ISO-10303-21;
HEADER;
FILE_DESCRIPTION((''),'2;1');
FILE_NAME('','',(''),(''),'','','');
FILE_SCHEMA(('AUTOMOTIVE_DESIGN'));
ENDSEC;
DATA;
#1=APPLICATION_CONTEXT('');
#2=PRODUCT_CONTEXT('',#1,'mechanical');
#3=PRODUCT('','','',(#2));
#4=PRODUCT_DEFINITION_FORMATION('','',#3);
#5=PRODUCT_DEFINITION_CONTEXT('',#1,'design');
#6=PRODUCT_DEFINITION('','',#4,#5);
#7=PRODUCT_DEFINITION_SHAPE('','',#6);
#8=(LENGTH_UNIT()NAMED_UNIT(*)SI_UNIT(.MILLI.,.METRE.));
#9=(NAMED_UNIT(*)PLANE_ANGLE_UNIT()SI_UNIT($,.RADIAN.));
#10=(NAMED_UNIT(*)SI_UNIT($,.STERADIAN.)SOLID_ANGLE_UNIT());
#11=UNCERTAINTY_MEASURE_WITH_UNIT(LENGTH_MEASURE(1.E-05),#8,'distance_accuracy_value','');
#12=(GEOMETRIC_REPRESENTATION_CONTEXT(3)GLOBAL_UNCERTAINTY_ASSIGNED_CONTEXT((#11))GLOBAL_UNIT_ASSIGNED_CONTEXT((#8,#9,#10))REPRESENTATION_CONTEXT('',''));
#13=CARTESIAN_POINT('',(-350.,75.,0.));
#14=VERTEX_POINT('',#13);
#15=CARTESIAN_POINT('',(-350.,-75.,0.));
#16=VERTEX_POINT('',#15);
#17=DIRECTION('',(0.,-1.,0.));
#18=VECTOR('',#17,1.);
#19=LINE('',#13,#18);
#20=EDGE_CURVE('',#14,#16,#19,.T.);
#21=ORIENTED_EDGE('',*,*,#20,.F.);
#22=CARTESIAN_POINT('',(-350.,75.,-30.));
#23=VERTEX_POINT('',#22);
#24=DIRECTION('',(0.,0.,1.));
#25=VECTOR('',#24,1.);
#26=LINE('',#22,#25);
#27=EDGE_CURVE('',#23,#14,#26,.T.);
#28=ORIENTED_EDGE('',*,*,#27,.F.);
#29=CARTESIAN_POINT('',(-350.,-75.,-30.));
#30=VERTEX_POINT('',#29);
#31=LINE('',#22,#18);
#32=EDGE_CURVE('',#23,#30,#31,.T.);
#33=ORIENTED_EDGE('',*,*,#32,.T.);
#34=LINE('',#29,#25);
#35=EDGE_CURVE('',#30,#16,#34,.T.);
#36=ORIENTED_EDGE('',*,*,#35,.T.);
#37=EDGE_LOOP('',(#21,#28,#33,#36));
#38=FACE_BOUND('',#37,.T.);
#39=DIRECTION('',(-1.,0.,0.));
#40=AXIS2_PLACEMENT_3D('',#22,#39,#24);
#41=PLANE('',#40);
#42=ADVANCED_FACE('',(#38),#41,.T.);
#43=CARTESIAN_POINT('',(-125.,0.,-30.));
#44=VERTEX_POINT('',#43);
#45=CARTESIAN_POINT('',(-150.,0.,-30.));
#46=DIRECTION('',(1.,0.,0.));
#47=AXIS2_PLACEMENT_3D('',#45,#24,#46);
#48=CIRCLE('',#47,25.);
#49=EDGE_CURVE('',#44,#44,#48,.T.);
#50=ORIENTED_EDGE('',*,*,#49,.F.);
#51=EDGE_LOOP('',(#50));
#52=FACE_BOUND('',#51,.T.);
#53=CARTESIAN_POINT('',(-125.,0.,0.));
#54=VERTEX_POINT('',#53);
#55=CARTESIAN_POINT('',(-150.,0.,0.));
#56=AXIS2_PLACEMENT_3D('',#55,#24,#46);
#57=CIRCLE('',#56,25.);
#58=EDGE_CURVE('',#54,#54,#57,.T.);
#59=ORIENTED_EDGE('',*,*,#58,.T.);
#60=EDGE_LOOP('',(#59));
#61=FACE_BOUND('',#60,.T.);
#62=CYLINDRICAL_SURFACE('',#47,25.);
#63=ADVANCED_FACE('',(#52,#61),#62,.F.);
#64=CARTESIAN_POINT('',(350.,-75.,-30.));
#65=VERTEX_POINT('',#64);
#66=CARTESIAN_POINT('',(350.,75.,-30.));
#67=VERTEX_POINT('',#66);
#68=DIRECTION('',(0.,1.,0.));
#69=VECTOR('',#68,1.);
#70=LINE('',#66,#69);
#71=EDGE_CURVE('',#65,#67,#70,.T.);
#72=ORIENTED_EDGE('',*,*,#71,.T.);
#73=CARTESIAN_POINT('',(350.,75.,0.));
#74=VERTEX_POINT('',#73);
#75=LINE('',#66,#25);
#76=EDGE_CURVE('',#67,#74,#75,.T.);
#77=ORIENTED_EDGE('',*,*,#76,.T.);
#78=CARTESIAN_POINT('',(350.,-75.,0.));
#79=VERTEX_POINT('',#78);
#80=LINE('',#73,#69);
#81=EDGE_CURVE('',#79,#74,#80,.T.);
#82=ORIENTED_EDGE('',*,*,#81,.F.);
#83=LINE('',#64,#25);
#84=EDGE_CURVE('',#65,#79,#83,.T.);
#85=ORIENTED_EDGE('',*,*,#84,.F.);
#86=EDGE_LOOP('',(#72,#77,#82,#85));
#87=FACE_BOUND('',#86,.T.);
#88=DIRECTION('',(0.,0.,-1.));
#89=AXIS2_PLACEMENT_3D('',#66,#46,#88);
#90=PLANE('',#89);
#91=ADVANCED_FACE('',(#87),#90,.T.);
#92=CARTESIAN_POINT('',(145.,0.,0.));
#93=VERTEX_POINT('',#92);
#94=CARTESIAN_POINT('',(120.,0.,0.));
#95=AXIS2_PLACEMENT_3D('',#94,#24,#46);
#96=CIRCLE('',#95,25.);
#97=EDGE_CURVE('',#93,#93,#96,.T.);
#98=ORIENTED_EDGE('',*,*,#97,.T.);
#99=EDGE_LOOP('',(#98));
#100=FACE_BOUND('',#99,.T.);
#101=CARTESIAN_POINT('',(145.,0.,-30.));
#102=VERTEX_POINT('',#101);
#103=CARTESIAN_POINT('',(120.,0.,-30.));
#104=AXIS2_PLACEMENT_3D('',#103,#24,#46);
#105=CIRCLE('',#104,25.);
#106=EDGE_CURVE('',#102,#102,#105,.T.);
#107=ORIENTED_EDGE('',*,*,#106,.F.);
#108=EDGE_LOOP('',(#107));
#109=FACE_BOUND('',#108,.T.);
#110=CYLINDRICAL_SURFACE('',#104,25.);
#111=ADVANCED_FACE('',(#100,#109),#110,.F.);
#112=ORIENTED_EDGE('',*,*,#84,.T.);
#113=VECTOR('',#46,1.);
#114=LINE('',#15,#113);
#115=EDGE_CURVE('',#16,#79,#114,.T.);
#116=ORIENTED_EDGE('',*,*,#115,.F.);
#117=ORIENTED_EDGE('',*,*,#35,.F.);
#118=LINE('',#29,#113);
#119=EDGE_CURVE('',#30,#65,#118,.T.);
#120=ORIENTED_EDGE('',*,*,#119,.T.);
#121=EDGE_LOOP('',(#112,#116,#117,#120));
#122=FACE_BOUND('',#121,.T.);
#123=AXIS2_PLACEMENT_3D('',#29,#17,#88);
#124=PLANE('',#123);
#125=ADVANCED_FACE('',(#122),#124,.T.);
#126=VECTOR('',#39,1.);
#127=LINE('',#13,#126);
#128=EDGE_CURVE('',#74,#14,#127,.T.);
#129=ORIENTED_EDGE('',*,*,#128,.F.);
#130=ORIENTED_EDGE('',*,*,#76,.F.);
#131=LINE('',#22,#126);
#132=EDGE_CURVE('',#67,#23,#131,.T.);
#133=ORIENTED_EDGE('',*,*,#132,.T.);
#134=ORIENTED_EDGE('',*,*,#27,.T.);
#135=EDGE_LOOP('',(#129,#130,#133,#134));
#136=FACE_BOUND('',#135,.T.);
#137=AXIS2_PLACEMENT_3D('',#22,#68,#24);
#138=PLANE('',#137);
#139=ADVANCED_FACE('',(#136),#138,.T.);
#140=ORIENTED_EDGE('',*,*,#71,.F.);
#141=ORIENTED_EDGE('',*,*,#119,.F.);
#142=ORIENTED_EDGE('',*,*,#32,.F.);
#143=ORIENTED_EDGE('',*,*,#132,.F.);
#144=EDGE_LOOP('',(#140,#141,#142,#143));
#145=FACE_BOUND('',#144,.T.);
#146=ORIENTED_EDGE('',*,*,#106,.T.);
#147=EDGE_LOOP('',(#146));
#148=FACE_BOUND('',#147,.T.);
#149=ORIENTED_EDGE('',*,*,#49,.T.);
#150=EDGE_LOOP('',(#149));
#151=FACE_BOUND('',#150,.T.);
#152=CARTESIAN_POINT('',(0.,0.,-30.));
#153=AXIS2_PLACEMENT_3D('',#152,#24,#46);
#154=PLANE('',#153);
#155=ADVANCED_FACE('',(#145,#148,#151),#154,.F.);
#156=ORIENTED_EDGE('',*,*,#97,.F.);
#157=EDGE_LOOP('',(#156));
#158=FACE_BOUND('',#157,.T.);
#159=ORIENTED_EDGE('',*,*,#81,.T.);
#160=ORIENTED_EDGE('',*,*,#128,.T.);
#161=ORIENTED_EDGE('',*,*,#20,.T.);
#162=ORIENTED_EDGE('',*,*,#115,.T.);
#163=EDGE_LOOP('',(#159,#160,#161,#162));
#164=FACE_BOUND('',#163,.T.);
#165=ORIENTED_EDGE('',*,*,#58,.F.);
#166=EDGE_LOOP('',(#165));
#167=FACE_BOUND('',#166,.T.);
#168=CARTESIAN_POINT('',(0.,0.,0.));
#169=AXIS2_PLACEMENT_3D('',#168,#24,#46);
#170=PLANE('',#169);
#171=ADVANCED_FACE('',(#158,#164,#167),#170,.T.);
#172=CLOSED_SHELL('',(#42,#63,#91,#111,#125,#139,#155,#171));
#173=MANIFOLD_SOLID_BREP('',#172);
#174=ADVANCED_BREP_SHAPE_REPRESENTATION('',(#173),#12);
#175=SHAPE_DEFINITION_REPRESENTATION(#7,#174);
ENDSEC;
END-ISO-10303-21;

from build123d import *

# Parameters (mm, degrees)
SKETCH1_W           = 700
SKETCH1_H           = 150
SKETCH1_R           = 25
BOSS_EXTRUDE1_DEPTH = 30


with BuildPart() as part:
    # Sketch1 → Boss-Extrude1 (new body)
    with BuildSketch(Plane.XY):
        Rectangle(SKETCH1_W, SKETCH1_H)
        with Locations((-150, 0)):
            Circle(SKETCH1_R, mode=Mode.SUBTRACT)
        with Locations((120, 0)):
            Circle(SKETCH1_R, mode=Mode.SUBTRACT)
    extrude(amount=-BOSS_EXTRUDE1_DEPTH)


solid = part.part
